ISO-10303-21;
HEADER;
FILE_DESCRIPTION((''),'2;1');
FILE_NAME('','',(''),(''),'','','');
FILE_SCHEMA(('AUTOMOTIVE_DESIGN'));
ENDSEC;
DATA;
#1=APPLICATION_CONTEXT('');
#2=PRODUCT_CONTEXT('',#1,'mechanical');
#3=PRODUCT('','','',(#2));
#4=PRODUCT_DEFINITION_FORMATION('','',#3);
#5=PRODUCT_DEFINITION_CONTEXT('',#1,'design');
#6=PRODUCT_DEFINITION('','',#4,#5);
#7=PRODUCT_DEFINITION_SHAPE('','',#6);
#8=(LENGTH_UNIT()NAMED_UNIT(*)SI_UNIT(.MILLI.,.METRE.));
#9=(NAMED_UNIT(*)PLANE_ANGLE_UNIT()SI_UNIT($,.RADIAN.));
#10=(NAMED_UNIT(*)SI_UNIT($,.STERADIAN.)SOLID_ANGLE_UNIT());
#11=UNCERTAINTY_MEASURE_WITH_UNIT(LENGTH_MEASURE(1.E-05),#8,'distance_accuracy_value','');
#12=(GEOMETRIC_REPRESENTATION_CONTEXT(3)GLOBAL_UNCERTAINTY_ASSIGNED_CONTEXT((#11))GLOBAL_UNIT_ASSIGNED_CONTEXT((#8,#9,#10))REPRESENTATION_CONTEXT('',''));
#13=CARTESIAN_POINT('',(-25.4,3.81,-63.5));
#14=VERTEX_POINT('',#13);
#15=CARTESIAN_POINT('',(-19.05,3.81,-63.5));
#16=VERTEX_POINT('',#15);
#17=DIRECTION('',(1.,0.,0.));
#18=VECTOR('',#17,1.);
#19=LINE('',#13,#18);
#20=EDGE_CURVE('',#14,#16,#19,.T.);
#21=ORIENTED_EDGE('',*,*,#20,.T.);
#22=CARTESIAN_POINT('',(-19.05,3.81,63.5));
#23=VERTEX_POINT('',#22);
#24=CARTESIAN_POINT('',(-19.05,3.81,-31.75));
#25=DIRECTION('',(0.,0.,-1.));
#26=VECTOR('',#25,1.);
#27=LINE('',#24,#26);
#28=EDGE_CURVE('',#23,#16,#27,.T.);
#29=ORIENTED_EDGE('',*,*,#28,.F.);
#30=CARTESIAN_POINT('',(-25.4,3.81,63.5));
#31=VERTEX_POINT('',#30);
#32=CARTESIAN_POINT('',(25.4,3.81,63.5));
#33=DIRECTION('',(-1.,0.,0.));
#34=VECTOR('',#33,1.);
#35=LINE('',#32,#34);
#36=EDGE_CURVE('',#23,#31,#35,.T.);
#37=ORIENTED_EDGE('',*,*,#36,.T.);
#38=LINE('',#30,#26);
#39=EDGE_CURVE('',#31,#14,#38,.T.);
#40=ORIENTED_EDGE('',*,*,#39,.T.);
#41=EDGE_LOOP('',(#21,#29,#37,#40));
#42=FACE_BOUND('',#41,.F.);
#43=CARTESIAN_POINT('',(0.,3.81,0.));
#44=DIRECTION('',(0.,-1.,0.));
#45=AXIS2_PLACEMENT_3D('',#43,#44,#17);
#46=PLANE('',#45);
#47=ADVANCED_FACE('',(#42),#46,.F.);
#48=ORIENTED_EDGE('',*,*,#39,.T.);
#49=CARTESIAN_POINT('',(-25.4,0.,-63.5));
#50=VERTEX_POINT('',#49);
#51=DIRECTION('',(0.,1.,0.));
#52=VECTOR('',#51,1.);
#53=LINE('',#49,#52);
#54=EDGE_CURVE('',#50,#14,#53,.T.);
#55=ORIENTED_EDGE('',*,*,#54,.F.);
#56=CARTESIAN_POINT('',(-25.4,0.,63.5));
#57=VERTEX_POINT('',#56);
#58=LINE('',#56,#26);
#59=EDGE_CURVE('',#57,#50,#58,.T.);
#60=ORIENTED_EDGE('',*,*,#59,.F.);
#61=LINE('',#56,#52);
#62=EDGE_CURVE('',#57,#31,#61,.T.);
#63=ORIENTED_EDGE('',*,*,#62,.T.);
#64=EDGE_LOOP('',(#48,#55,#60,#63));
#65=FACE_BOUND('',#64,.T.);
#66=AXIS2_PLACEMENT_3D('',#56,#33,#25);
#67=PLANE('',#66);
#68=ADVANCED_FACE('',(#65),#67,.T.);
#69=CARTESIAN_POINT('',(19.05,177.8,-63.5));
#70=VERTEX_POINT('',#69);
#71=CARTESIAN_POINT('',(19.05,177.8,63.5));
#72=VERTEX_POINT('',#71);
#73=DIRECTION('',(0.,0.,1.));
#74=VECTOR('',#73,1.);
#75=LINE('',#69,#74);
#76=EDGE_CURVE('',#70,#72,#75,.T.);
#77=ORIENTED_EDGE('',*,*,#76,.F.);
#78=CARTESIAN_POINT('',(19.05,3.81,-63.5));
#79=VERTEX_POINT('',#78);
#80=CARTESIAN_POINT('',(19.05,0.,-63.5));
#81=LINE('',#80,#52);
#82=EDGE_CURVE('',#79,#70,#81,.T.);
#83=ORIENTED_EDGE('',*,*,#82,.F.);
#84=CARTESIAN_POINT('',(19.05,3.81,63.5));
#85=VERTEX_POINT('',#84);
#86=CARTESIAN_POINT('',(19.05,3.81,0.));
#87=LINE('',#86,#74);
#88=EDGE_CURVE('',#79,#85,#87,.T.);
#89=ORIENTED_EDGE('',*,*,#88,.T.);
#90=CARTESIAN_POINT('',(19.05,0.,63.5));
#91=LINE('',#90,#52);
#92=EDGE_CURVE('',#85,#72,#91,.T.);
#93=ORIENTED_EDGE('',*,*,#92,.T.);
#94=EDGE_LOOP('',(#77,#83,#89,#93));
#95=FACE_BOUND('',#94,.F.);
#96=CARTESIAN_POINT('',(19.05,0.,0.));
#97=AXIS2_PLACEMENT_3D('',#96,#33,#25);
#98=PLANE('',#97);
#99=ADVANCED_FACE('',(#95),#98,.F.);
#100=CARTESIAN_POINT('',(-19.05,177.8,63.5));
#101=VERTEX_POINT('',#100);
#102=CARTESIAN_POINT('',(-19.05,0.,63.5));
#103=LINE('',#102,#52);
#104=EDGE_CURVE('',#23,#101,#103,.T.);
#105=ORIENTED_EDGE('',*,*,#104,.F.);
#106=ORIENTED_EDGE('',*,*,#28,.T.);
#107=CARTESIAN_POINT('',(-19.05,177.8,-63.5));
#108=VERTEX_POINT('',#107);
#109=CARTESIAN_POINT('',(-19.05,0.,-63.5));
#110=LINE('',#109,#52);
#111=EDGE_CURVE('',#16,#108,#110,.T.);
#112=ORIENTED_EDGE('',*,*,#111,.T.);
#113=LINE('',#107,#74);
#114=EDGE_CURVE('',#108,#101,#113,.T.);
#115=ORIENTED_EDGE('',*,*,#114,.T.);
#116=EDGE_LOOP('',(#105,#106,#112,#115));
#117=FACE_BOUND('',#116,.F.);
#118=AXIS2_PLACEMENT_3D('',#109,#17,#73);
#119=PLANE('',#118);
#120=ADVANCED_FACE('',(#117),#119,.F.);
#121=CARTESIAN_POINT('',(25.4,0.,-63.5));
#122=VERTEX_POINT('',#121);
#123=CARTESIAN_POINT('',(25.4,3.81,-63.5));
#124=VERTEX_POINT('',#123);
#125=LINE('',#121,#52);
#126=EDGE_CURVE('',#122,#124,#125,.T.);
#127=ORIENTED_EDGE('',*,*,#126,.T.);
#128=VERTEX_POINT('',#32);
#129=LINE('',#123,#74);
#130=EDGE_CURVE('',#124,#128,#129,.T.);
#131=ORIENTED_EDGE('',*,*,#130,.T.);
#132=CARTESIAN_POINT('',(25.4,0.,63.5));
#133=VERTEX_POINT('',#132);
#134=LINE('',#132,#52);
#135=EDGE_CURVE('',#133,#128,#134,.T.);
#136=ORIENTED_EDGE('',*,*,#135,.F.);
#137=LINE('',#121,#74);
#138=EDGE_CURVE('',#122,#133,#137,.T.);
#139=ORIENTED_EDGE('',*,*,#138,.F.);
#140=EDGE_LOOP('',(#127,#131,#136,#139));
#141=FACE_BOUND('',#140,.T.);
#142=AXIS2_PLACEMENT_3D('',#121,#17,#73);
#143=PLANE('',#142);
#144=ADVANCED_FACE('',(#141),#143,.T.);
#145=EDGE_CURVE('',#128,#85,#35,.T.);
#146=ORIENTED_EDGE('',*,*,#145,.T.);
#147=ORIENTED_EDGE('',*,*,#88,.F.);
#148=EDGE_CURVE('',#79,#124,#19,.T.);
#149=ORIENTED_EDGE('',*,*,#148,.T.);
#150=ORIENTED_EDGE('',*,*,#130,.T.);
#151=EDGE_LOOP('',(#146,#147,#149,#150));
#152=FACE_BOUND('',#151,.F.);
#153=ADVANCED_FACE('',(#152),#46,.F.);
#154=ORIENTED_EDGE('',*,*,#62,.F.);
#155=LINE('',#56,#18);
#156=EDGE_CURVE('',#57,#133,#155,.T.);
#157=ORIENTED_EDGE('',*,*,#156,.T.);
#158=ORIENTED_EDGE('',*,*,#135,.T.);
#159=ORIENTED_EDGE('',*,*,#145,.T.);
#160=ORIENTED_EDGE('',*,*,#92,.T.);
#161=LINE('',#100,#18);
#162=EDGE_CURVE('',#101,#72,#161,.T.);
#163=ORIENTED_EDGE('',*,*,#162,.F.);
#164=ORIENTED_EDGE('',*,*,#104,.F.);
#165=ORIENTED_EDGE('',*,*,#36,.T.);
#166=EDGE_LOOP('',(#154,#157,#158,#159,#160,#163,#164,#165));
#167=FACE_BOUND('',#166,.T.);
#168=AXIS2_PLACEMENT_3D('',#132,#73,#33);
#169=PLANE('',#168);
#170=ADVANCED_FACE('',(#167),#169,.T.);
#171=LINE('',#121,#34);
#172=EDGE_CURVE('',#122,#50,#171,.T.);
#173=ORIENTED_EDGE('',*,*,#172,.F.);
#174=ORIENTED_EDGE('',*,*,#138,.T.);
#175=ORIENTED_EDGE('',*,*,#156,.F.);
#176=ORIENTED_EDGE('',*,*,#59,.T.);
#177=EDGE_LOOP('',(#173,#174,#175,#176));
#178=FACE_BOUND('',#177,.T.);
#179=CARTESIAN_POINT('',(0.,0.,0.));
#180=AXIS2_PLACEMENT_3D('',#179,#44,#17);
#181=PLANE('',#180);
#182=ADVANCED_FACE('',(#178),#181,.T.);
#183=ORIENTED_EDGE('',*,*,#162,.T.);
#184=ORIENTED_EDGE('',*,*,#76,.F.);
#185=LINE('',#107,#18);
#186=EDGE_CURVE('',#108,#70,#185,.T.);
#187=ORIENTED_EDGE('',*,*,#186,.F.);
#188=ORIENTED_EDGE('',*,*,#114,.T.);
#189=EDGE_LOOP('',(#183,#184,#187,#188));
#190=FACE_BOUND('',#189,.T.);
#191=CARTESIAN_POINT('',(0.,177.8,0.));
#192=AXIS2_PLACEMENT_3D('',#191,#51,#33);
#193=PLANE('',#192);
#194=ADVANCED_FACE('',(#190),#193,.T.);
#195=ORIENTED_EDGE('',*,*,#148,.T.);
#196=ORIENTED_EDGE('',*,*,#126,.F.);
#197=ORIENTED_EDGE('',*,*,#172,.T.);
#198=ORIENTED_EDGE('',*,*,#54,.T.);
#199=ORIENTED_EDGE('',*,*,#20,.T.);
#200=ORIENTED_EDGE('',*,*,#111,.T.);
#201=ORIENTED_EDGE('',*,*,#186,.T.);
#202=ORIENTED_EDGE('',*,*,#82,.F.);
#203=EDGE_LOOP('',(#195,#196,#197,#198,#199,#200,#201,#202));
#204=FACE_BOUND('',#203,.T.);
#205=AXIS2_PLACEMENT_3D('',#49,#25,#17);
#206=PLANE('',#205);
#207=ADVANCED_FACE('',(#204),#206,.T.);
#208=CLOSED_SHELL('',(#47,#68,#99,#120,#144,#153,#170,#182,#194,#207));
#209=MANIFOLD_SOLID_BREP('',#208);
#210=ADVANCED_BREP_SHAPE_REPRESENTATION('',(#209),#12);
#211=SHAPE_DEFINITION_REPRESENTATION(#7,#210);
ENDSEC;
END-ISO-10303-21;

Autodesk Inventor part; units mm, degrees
ref_plane "YZ Plane" through (0, 0, 0) normal (1, 0, 0) x (0, 1, 0)
ref_plane "XZ Plane" through (0, 0, 0) normal (0, 1, 0) x (-1, 0, 0)
ref_plane "XY Plane" through (0, 0, 0) normal (0, 0, 1) x (1, 0, 0)
sketch "Sketch1" plane through (0, 0, 0) normal (0, 1, 0) x (-1, 0, 0)
  line L0 (0, -88.9) -> (0, 88.9) projected
  line L1 (-26.67, 0) -> (26.67, 0) projected
  line L2 (26.67, 0) -> (-26.67, 0) projected
  line L3 (0, -88.9) -> (0, 88.9) projected
  line L4 (19.05, 63.5) -> (-19.05, 63.5)
  line L5 (-19.05, 63.5) -> (-19.05, -63.5)
  line L6 (-19.05, -63.5) -> (19.05, -63.5)
  line L7 (19.05, -63.5) -> (19.05, 63.5)
  line L8 (19.05, 63.5) -> (-19.05, -63.5) construction
  line L9 (-19.05, 63.5) -> (19.05, -63.5) construction
  point P0 (0, 0)
  dimension "d0" = 38.1
  dimension "d1" = 127
extrude "Extrusion1" add sketch "Sketch1" along normal blind 177.8
sketch "Sketch2" plane through (0, 0, 0) normal (0, -1, 0) x (1, 0, 0)
  line L0 (-25.4, -63.5) -> (25.4, -63.5)
  line L1 (25.4, -63.5) -> (25.4, 63.5)
  line L2 (25.4, 63.5) -> (-25.4, 63.5)
  line L3 (-25.4, 63.5) -> (-25.4, -63.5)
  line L4 (-25.4, -63.5) -> (25.4, 63.5) construction
  line L5 (25.4, -63.5) -> (-25.4, 63.5) construction
  point P0 (0, 0)
  dimension "d4" = 50.8
extrude "Extrusion2" add sketch "Sketch2" against normal blind 3.81
properties part number "Netgear Router" material "Acetal Resin, Black"
